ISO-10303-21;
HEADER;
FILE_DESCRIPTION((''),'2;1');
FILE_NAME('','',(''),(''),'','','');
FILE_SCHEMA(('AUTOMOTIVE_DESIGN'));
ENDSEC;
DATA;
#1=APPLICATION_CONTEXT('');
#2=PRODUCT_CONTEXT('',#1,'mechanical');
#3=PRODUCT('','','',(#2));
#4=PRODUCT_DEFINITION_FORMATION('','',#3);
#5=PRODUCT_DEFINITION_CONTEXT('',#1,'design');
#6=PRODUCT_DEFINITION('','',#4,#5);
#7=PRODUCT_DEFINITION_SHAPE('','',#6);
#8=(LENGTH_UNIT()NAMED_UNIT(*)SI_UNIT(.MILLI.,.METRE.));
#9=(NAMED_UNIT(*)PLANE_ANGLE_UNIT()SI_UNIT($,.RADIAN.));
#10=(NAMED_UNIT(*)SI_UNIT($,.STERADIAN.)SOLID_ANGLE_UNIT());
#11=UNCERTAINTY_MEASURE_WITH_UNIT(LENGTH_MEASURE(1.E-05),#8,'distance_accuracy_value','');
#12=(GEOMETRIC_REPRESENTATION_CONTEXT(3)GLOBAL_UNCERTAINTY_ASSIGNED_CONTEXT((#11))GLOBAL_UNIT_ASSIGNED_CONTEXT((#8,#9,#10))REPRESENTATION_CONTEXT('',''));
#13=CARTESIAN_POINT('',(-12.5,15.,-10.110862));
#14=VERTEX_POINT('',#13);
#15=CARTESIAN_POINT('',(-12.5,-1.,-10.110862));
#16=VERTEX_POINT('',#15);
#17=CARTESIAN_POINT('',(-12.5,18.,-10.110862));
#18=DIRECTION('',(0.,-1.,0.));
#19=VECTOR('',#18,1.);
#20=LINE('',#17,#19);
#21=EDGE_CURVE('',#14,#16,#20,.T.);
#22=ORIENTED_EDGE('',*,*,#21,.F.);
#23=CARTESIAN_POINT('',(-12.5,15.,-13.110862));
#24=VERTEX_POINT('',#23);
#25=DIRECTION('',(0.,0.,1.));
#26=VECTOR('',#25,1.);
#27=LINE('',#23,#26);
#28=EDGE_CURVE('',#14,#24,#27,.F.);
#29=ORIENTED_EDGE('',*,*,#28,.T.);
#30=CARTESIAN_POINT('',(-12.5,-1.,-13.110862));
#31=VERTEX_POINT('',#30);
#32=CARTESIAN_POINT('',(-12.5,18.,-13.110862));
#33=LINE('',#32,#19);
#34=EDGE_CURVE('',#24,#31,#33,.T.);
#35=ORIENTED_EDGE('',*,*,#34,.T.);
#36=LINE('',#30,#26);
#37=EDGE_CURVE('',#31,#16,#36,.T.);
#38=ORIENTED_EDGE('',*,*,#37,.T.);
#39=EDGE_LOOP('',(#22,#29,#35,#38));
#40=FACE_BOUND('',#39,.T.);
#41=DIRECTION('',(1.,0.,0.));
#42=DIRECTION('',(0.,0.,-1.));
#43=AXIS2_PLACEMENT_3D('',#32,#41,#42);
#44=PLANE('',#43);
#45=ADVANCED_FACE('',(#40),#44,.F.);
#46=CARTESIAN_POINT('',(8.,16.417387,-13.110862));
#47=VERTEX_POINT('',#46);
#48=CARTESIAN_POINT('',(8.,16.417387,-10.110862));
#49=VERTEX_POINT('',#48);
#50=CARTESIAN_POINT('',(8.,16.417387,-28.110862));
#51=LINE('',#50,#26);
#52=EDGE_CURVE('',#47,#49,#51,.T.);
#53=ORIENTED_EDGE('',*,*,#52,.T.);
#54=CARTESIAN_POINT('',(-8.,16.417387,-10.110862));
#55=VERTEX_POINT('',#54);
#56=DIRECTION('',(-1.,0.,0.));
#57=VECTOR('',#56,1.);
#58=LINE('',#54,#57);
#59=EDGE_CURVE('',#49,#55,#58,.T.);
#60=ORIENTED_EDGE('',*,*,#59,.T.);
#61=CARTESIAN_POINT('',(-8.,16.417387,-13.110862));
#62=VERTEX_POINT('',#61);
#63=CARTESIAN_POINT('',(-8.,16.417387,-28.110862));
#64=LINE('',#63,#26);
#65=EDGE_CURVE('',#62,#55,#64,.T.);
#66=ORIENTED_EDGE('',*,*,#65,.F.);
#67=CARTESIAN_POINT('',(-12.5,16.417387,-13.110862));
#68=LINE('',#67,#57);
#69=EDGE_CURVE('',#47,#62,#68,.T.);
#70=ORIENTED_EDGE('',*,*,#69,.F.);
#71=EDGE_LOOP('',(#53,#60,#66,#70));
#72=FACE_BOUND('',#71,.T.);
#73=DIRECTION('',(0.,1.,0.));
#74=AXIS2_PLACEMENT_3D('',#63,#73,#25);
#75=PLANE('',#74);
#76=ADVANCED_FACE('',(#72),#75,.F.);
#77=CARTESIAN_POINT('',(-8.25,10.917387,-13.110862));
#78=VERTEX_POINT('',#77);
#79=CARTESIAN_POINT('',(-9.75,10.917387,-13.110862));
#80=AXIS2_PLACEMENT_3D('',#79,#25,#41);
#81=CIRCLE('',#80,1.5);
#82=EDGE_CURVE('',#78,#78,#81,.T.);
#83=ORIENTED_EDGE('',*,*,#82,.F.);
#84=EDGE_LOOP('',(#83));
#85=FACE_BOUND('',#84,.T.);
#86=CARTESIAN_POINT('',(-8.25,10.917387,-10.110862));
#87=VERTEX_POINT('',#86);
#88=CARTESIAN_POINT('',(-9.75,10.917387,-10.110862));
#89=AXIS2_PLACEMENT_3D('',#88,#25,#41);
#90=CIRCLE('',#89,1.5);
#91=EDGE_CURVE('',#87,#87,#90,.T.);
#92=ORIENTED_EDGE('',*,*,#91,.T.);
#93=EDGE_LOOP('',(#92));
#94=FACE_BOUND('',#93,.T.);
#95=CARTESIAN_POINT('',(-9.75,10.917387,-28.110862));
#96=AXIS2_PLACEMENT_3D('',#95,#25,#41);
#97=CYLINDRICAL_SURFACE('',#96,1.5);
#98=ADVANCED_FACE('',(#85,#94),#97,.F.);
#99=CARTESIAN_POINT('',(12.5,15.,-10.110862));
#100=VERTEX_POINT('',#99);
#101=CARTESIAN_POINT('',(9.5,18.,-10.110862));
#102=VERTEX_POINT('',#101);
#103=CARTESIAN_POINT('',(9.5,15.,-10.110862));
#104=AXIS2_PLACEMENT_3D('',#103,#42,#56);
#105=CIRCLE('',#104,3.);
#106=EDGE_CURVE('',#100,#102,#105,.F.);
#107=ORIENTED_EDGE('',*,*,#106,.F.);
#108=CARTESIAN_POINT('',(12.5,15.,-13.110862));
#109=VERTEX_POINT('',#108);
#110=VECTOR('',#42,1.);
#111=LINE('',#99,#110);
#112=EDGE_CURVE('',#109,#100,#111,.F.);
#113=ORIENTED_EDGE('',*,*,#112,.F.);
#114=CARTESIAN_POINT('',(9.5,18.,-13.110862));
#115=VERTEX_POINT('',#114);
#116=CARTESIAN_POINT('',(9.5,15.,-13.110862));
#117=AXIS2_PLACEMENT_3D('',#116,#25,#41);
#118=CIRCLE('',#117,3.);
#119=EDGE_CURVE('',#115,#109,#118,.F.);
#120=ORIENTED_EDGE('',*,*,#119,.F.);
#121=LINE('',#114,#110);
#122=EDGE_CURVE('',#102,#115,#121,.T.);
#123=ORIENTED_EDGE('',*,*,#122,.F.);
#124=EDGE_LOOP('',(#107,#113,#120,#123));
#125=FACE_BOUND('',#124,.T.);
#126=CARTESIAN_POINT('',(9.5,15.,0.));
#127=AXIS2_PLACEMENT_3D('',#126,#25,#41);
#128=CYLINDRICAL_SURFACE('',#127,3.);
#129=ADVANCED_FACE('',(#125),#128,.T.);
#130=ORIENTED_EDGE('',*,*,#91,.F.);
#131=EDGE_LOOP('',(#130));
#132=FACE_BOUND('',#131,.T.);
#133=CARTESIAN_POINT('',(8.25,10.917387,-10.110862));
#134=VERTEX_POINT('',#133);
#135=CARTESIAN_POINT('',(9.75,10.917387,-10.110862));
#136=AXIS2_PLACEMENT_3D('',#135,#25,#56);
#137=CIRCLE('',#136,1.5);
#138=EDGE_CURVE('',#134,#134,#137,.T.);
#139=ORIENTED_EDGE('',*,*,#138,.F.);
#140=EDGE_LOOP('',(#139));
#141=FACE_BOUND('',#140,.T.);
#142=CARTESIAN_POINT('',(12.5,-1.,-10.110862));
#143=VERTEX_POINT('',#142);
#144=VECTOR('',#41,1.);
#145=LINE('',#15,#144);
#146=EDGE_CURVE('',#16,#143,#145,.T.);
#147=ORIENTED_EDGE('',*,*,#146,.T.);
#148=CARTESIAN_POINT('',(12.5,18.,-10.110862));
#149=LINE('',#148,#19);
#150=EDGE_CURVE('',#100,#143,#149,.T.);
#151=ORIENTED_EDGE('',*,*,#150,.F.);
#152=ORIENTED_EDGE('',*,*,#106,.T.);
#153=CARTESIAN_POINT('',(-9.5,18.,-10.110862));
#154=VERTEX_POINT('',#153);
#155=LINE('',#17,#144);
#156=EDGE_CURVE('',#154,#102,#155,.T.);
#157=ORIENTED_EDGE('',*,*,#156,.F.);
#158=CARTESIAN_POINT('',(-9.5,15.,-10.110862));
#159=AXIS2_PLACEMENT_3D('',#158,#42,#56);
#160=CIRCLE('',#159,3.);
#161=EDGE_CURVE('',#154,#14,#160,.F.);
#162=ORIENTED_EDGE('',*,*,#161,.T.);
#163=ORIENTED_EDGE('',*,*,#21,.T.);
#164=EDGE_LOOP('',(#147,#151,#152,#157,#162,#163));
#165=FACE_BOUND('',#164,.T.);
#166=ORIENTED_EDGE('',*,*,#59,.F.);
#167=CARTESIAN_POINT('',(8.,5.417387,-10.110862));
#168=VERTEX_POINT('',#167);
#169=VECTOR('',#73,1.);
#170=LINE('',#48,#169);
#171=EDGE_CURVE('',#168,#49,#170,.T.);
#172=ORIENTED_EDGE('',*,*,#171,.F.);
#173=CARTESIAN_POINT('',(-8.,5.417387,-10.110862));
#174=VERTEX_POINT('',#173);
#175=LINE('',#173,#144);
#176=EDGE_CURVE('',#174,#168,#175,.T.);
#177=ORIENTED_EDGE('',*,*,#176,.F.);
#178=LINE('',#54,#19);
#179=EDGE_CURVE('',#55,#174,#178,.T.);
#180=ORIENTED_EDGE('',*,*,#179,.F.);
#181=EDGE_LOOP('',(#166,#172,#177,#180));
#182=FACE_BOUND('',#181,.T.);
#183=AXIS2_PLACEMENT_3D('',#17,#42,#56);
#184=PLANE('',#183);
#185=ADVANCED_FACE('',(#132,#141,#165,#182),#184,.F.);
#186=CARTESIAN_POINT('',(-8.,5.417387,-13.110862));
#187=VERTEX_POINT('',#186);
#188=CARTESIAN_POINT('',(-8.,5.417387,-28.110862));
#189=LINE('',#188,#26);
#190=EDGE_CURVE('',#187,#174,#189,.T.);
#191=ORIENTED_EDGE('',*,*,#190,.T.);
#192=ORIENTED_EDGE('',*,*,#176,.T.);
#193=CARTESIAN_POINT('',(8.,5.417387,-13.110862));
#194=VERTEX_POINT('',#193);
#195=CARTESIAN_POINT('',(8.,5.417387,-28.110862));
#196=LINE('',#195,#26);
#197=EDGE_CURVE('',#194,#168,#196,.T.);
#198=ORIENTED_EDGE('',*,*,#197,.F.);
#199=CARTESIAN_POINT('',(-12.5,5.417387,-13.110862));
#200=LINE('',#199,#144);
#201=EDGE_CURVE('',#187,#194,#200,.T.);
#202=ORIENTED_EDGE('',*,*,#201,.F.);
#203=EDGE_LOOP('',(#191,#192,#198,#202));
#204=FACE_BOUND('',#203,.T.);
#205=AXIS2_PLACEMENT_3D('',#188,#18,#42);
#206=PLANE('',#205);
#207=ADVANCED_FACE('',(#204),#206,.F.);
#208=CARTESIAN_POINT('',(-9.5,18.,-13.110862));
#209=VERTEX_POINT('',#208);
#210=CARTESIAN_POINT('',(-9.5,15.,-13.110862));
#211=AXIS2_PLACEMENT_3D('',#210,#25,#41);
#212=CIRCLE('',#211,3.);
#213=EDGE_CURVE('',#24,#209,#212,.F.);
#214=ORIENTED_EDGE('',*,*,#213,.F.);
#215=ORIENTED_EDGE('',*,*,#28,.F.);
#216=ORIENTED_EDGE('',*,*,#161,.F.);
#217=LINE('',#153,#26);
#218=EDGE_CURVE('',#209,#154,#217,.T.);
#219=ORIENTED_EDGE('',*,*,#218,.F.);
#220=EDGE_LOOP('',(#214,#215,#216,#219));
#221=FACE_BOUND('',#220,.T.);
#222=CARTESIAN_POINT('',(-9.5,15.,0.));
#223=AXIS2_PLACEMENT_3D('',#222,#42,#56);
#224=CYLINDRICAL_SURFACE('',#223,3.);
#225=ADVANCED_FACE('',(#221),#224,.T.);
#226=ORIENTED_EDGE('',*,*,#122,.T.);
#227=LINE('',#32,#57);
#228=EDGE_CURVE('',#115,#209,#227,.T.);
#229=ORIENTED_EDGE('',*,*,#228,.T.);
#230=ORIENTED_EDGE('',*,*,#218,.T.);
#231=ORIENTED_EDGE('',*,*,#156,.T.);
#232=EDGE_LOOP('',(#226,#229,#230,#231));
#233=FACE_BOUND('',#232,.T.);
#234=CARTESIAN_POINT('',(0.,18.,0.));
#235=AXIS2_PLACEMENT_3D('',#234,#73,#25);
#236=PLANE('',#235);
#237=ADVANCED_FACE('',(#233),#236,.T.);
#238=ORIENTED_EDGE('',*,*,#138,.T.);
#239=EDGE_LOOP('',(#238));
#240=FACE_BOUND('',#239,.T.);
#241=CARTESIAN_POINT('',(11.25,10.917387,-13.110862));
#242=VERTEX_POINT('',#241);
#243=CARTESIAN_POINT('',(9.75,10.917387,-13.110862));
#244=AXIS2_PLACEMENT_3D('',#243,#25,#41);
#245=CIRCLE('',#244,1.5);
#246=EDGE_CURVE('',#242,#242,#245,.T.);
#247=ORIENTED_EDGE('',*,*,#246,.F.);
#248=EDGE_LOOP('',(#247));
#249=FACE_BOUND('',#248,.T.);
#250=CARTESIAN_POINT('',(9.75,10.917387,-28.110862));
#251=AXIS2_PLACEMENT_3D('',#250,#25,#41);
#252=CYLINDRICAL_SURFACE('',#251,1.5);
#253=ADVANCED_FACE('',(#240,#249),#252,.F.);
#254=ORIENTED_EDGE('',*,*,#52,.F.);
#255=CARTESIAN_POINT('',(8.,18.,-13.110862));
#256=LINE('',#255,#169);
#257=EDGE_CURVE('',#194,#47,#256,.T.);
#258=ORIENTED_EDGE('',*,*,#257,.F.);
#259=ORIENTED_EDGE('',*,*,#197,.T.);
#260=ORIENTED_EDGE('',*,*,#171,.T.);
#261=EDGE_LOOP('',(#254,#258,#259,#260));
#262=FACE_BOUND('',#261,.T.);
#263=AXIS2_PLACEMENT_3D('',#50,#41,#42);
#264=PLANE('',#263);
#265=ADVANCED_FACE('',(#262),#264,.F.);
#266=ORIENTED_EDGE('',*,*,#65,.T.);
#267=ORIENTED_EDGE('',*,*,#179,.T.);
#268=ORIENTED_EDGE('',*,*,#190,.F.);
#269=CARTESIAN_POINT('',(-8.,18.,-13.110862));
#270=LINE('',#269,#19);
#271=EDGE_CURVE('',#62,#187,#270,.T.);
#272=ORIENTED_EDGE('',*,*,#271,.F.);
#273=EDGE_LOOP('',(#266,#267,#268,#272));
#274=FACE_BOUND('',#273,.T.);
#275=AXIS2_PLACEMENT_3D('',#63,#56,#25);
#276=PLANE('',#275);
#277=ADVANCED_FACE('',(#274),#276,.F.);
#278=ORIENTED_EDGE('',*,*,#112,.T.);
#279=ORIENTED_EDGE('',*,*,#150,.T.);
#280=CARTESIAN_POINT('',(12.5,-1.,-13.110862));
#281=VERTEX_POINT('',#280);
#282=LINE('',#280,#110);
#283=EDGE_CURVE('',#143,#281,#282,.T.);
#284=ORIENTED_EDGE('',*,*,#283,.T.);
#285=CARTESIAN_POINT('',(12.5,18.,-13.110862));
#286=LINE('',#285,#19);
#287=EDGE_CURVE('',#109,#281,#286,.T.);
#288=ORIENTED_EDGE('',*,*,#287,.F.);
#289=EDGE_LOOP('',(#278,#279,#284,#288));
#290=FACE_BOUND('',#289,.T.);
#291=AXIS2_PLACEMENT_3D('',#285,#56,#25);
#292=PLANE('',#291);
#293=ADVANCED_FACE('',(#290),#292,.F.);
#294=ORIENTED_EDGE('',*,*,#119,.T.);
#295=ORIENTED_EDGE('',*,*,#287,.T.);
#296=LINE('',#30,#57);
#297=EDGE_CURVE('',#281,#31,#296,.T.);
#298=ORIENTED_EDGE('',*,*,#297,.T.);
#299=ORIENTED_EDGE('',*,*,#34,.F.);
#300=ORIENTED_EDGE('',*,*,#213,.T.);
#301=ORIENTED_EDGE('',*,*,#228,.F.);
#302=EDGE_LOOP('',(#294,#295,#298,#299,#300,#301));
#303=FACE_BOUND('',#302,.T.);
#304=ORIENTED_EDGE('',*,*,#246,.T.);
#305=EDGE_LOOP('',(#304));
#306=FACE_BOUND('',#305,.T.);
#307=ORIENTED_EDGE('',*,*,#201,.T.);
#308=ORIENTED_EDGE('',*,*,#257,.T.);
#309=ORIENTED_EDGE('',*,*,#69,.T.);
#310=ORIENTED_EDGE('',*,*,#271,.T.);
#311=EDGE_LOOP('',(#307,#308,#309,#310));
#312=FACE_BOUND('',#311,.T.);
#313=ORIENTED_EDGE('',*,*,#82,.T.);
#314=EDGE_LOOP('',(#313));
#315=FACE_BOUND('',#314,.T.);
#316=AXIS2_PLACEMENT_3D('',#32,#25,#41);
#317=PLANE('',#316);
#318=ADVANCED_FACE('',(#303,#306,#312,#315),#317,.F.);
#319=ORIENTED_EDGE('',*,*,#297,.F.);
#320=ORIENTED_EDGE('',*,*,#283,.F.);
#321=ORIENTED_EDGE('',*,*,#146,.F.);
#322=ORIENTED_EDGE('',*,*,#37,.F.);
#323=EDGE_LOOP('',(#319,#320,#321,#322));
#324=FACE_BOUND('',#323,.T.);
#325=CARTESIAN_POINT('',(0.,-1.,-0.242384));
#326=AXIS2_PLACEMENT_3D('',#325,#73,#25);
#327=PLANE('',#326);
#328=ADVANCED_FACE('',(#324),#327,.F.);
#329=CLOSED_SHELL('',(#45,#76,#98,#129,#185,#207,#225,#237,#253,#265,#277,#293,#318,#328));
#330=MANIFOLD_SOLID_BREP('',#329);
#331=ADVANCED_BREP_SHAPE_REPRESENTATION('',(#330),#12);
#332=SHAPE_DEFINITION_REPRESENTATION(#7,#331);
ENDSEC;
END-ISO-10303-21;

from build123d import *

# Parameters (mm, degrees)
BOSS_EXTRUDE1_DEPTH     = 2
SCALE1_SCALE            = 2
SKETCH6_R               = 1.5
CUT_EXTRUDE2_DEPTH      = 3
SKETCH7_W               = 25
SKETCH7_H               = 3
BOSS_EXTRUDE2_DEPTH     = 15
SKETCH8_R               = 1.5
SKETCH8_W               = 16
SKETCH8_H               = 11
CUT_EXTRUDE3_DEPTH      = 18
FILLET3_R               = 3
FILLET4_R               = 3
SKETCH10_R              = 1.5
CUT_EXTRUDE4_DEPTH      = 10
CUT_EXTRUDE5_DEPTH      = 52.533558907
CUT_EXTRUDE5_DEPTH_BACK = 52.533558907
SKETCH11_R              = 44.440054466
SKETCH11_W              = 25
SKETCH11_H              = 3


with BuildPart() as part:
    # Sketch2 → Boss-Extrude1 (new body)
    with BuildSketch(Plane(origin=(0, 0, 0), x_dir=(1, 0, 0), z_dir=(0, 1, 0))):
        with BuildLine():
            Line((-17.967387551, 9.159795774), (-20.639475337, 7.15016677))
            ThreePointArc((-20.639475337, 7.15016677), (-18.649238809, 4.17439457), (-19.346117765, 0.662896123))
            ThreePointArc((-19.346117765, 0.662896123), (-19.45411943, -1.286546543), (-18.558961711, -3.021678736))
            ThreePointArc((-18.558961711, -3.021678736), (-16.421478173, -5.190969631), (-13.78312899, -6.712078584))
            ThreePointArc((-13.78312899, -6.712078584), (-13.032173848, -6.916004841), (-12.276686285, -7.102440046))
            ThreePointArc((-12.276686285, -7.102440046), (-12.194265553, -8.245293076), (-11.737308023, -9.296052821))
            ThreePointArc((-11.737308023, -9.296052821), (-10.975506649, -9.937799505), (-10.090124565, -10.394175126))
            Line((-10.090124565, -10.394175126), (-7.391598262, -11.698651137))
            Line((-7.391598262, -11.698651137), (7.391598262, -11.698651137))
            Line((7.391598262, -11.698651137), (10.090124565, -10.394175126))
            ThreePointArc((10.090124565, -10.394175126), (10.975506649, -9.937799505), (11.737308023, -9.296052821))
            ThreePointArc((11.737308023, -9.296052821), (12.194265553, -8.245293076), (12.276686285, -7.102440046))
            ThreePointArc((12.276686285, -7.102440046), (13.032173848, -6.916004841), (13.78312899, -6.712078584))
            ThreePointArc((13.78312899, -6.712078584), (16.421478173, -5.190969631), (18.558961711, -3.021678736))
            ThreePointArc((18.558961711, -3.021678736), (19.45411943, -1.286546543), (19.346117765, 0.662896123))
            ThreePointArc((19.346117765, 0.662896123), (18.649238809, 4.17439457), (20.639475337, 7.15016677))
            Line((20.639475337, 7.15016677), (17.967387551, 9.159795774))
            ThreePointArc((17.967387551, 9.159795774), (10.858325227, 7.499674132), (4.169484372, 10.424426945))
            Line((4.169484372, 10.424426945), (2.224138848, 10.424426945))
            Line((2.224138848, 10.424426945), (0.696104526, 13.114793475))
            Line((0.696104526, 13.114793475), (0, 13.358013588))
            Line((0, 13.358013588), (-0.696104526, 13.114793475))
            Line((-0.696104526, 13.114793475), (-2.224138848, 10.424426945))
            Line((-2.224138848, 10.424426945), (-4.169484372, 10.424426945))
            ThreePointArc((-4.169484372, 10.424426945), (-10.858325227, 7.499674132), (-17.967387551, 9.159795774))
        make_face()
    extrude(amount=BOSS_EXTRUDE1_DEPTH)


with BuildPart() as part_1:
    # Scale1: scaled about (0, 1, 0.242383844)
    add(part.part.scale(SCALE1_SCALE).moved(Location((0, -1, -0.242383844))))

    # Sketch6 → Cut-Extrude2 (cut)
    with BuildSketch(Plane(origin=(0, 3, 0), x_dir=(1, 0, 0), z_dir=(0, 1, 0))):
        with Locations(Location((-5.851533015, 16.28357055, 0), (0, 0, 270))):
            Circle(SKETCH6_R)
        with Locations(Location((4.151829214, 16.28357055, 0), (0, 0, 270))):
            Circle(SKETCH6_R)
    extrude(amount=-CUT_EXTRUDE2_DEPTH, mode=Mode.SUBTRACT)

    # Sketch7 → Boss-Extrude2 (add)
    with BuildSketch(Plane(origin=(0, 3, 0), x_dir=(1, 0, 0), z_dir=(0, 1, 0))):
        with Locations((0, 11.610861671)):
            Rectangle(SKETCH7_W, SKETCH7_H)
    extrude(amount=BOSS_EXTRUDE2_DEPTH)

    # Sketch8 → Cut-Extrude3 (cut)
    with BuildSketch(Plane.XY.offset(-10.110861671)):
        with Locations((-9.75, 10.917386914)):
            Circle(SKETCH8_R)
        with Locations((9.75, 10.917386914)):
            Circle(SKETCH8_R)
        with Locations((0, 10.917386914)):
            Rectangle(SKETCH8_W, SKETCH8_H)
    extrude(amount=-CUT_EXTRUDE3_DEPTH, mode=Mode.SUBTRACT)

    # Fillet3
    fillet3_edges = [part_1.edges().sort_by_distance(p)[0] for p in [
        (-12.5, 18, -11.610861671),
    ]]
    fillet(fillet3_edges, radius=FILLET3_R)

    # Fillet4
    fillet4_edges = [part_1.edges().sort_by_distance(p)[0] for p in [
        (12.5, 18, -11.610861671),
    ]]
    fillet(fillet4_edges, radius=FILLET4_R)

    # Sketch10 → Cut-Extrude4 (cut)
    with BuildSketch(Plane(origin=(0, 3, 0), x_dir=(1, 0, 0), z_dir=(0, 1, 0))):
        with Locations(Location((-0.8498519, -20.895328087, 0), (0, 0, 270))):
            Circle(SKETCH10_R)
    extrude(amount=-CUT_EXTRUDE4_DEPTH, mode=Mode.SUBTRACT)

    # Sketch11 → Cut-Extrude5 (cut, two sides: drawn at the far end of the back side and taken through both)
    with BuildSketch(Plane(origin=(0, 3, 0), x_dir=(1, 0, 0), z_dir=(0, 1, 0)).offset(-CUT_EXTRUDE5_DEPTH_BACK)):
        Circle(SKETCH11_R)
        with Locations((0, 11.610861671)):
            Rectangle(SKETCH11_W, SKETCH11_H, mode=Mode.SUBTRACT)
    extrude(amount=CUT_EXTRUDE5_DEPTH + CUT_EXTRUDE5_DEPTH_BACK, mode=Mode.SUBTRACT)


solid = part_1.part
